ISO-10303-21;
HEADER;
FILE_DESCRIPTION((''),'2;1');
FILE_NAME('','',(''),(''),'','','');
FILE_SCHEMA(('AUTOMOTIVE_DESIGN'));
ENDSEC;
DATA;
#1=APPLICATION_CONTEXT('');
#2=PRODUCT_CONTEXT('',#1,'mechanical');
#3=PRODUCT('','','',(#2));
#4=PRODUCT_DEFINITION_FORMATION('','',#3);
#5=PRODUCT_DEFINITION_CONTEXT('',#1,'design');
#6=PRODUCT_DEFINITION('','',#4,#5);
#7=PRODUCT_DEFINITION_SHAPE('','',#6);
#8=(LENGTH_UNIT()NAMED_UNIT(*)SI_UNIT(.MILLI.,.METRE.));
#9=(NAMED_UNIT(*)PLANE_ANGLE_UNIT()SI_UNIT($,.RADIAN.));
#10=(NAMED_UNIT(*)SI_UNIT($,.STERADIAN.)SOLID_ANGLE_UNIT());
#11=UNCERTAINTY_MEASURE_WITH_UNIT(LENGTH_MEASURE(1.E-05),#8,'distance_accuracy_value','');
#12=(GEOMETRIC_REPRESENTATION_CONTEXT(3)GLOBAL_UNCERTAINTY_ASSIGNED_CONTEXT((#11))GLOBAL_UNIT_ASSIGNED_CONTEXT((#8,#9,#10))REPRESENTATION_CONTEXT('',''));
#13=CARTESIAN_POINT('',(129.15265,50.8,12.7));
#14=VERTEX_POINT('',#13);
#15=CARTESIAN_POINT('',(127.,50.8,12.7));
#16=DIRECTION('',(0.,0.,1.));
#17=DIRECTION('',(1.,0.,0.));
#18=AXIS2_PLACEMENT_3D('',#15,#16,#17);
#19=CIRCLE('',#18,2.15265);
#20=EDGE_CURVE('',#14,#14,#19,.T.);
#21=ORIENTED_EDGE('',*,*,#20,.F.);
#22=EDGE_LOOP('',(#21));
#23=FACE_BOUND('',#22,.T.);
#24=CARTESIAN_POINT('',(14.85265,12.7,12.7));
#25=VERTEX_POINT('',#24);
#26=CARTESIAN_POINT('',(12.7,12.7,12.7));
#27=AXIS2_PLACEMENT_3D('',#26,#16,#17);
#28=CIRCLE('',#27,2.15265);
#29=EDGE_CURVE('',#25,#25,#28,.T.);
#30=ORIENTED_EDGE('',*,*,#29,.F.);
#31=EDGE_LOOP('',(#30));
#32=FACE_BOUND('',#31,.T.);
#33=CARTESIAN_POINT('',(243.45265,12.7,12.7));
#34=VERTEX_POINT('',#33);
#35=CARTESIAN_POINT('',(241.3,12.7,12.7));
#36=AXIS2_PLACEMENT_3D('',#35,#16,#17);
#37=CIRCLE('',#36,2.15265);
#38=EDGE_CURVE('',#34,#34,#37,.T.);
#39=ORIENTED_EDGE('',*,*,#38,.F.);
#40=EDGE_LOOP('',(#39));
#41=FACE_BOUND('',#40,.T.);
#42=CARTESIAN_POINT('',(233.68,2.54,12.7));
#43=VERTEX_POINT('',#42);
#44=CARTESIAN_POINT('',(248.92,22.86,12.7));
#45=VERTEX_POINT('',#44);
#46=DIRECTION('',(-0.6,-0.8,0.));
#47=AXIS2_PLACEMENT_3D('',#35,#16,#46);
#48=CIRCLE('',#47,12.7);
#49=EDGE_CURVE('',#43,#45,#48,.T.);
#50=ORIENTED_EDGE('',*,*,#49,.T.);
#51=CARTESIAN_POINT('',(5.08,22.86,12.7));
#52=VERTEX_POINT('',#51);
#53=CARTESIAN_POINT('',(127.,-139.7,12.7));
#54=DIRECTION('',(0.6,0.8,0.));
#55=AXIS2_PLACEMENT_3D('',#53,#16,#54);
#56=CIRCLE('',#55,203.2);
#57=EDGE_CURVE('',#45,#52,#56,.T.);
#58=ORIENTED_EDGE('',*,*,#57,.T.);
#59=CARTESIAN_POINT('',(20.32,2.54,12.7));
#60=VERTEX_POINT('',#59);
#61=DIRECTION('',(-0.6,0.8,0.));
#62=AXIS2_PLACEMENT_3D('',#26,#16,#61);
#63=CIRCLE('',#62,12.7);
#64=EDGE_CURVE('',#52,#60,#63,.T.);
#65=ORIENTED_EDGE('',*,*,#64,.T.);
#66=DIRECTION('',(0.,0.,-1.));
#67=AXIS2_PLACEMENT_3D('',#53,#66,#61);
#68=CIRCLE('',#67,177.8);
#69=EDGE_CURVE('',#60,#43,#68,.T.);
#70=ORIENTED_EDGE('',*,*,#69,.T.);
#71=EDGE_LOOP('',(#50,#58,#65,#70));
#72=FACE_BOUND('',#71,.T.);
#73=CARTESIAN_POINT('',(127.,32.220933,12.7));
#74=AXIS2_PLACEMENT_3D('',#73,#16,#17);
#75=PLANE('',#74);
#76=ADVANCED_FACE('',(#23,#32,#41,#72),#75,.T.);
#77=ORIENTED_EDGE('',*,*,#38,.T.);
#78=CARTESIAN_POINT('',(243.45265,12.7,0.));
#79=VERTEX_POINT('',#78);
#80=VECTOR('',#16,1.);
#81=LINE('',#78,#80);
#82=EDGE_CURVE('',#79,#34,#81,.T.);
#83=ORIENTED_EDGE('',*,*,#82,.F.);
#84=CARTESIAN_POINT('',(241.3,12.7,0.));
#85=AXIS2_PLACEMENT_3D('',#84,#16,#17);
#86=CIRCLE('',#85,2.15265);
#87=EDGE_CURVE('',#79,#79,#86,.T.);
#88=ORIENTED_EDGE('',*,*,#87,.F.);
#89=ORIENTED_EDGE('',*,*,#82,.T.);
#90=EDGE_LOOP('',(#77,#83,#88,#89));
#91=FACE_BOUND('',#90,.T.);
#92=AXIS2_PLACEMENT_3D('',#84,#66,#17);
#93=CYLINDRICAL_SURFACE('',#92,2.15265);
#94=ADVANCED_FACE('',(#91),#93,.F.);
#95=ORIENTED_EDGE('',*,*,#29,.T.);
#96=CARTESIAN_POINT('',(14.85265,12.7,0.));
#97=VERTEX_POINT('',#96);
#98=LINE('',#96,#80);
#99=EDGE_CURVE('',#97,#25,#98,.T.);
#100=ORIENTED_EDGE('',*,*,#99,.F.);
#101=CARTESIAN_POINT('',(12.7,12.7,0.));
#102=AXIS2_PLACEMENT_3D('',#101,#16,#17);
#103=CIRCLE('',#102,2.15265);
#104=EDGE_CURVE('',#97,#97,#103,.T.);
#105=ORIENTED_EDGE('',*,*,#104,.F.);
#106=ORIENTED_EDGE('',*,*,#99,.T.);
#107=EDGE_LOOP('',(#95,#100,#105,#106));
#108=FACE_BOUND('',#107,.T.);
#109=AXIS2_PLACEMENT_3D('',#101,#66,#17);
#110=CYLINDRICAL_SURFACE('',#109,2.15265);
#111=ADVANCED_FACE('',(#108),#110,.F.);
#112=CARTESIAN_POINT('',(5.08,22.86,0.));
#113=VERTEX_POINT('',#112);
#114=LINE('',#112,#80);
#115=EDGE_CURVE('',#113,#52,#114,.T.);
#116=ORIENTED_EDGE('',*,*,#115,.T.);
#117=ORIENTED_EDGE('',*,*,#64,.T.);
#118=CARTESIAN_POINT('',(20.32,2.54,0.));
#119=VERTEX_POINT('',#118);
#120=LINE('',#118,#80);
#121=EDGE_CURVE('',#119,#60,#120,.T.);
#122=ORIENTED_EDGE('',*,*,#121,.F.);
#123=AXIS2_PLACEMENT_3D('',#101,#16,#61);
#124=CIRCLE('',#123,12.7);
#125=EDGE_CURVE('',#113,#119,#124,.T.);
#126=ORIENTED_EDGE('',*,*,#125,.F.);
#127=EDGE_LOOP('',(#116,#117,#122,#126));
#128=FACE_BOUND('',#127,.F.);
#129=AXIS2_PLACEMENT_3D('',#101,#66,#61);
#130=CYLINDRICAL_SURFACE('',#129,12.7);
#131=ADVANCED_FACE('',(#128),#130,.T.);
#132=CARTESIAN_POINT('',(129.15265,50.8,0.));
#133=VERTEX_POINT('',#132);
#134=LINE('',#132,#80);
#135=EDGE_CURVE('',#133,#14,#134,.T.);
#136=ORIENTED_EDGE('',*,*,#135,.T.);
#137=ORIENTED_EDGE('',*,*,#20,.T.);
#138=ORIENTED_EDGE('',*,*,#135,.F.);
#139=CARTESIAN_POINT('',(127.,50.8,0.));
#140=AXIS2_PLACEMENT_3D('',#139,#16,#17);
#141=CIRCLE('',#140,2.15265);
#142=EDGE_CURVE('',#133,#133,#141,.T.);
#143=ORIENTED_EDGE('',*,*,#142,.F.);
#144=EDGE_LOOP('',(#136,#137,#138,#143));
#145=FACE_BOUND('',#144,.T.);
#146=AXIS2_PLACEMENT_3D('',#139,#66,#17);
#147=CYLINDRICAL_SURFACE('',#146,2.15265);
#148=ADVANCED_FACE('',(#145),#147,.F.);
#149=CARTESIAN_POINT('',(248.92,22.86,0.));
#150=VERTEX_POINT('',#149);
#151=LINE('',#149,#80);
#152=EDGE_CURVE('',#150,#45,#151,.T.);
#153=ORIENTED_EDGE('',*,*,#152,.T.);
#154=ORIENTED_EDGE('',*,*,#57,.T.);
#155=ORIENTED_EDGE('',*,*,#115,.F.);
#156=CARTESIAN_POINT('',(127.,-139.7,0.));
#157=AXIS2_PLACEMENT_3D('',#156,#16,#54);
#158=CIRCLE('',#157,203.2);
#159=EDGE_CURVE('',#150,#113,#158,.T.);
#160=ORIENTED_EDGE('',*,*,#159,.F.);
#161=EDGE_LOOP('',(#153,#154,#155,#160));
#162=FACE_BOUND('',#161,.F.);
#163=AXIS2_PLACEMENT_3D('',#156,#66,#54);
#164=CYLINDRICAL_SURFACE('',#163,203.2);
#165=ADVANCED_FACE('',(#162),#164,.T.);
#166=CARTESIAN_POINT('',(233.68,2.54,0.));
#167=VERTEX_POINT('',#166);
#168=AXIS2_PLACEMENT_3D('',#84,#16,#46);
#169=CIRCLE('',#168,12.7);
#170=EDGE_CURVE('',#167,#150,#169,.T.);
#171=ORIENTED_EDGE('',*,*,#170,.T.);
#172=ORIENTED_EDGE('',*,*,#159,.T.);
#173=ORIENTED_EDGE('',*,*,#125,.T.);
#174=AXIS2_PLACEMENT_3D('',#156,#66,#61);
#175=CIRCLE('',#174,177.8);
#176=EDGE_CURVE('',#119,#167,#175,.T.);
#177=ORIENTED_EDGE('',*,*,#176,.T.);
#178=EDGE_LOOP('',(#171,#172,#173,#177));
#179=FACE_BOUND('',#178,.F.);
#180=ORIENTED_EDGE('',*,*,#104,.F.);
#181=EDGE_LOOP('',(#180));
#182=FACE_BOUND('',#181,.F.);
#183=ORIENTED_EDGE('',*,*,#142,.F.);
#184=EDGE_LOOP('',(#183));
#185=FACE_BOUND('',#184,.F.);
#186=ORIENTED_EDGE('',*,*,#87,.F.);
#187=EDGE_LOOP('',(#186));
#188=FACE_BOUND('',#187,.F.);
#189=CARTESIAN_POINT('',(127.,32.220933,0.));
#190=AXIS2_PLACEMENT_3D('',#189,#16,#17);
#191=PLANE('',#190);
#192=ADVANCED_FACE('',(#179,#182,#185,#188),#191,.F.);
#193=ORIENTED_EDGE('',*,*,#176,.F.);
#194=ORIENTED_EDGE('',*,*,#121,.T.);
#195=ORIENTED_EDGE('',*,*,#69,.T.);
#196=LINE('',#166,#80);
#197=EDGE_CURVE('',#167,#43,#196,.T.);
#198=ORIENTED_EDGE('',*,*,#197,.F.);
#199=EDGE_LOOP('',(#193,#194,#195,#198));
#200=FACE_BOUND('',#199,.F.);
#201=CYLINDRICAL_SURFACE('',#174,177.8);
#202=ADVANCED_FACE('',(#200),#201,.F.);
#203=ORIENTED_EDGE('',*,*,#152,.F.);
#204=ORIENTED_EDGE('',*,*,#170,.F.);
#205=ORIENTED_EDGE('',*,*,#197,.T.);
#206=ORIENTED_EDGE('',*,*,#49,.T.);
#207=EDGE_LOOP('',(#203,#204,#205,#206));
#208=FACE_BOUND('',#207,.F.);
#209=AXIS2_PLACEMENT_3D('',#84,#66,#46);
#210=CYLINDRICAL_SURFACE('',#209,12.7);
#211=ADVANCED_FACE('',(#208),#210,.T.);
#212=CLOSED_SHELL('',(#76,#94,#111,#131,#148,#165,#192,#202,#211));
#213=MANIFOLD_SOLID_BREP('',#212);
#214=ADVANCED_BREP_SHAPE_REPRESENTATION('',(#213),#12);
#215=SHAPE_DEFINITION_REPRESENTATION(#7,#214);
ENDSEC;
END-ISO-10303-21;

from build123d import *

# Parameters (mm, degrees)
F0_R     = 2.15265
F1_DEPTH = 12.7


with BuildPart() as f1:
    # F0 (on Top) → F1 (new body)
    with BuildSketch(Plane.XY):
        with BuildLine():
            ThreePointArc((248.92, 22.86), (127, 63.5), (5.08, 22.86))
            ThreePointArc((5.08, 22.86), (2.54, 5.08), (20.32, 2.54))
            ThreePointArc((20.32, 2.54), (127, 38.1), (233.68, 2.54))
            ThreePointArc((233.68, 2.54), (251.46, 5.08), (248.92, 22.86))
        make_face()
        with Locations((12.7, 12.7)):
            Circle(F0_R, mode=Mode.SUBTRACT)
        with Locations((241.3, 12.7)):
            Circle(F0_R, mode=Mode.SUBTRACT)
        with Locations((127, 50.8)):
            Circle(F0_R, mode=Mode.SUBTRACT)
    extrude(amount=F1_DEPTH)


solid = f1.part
